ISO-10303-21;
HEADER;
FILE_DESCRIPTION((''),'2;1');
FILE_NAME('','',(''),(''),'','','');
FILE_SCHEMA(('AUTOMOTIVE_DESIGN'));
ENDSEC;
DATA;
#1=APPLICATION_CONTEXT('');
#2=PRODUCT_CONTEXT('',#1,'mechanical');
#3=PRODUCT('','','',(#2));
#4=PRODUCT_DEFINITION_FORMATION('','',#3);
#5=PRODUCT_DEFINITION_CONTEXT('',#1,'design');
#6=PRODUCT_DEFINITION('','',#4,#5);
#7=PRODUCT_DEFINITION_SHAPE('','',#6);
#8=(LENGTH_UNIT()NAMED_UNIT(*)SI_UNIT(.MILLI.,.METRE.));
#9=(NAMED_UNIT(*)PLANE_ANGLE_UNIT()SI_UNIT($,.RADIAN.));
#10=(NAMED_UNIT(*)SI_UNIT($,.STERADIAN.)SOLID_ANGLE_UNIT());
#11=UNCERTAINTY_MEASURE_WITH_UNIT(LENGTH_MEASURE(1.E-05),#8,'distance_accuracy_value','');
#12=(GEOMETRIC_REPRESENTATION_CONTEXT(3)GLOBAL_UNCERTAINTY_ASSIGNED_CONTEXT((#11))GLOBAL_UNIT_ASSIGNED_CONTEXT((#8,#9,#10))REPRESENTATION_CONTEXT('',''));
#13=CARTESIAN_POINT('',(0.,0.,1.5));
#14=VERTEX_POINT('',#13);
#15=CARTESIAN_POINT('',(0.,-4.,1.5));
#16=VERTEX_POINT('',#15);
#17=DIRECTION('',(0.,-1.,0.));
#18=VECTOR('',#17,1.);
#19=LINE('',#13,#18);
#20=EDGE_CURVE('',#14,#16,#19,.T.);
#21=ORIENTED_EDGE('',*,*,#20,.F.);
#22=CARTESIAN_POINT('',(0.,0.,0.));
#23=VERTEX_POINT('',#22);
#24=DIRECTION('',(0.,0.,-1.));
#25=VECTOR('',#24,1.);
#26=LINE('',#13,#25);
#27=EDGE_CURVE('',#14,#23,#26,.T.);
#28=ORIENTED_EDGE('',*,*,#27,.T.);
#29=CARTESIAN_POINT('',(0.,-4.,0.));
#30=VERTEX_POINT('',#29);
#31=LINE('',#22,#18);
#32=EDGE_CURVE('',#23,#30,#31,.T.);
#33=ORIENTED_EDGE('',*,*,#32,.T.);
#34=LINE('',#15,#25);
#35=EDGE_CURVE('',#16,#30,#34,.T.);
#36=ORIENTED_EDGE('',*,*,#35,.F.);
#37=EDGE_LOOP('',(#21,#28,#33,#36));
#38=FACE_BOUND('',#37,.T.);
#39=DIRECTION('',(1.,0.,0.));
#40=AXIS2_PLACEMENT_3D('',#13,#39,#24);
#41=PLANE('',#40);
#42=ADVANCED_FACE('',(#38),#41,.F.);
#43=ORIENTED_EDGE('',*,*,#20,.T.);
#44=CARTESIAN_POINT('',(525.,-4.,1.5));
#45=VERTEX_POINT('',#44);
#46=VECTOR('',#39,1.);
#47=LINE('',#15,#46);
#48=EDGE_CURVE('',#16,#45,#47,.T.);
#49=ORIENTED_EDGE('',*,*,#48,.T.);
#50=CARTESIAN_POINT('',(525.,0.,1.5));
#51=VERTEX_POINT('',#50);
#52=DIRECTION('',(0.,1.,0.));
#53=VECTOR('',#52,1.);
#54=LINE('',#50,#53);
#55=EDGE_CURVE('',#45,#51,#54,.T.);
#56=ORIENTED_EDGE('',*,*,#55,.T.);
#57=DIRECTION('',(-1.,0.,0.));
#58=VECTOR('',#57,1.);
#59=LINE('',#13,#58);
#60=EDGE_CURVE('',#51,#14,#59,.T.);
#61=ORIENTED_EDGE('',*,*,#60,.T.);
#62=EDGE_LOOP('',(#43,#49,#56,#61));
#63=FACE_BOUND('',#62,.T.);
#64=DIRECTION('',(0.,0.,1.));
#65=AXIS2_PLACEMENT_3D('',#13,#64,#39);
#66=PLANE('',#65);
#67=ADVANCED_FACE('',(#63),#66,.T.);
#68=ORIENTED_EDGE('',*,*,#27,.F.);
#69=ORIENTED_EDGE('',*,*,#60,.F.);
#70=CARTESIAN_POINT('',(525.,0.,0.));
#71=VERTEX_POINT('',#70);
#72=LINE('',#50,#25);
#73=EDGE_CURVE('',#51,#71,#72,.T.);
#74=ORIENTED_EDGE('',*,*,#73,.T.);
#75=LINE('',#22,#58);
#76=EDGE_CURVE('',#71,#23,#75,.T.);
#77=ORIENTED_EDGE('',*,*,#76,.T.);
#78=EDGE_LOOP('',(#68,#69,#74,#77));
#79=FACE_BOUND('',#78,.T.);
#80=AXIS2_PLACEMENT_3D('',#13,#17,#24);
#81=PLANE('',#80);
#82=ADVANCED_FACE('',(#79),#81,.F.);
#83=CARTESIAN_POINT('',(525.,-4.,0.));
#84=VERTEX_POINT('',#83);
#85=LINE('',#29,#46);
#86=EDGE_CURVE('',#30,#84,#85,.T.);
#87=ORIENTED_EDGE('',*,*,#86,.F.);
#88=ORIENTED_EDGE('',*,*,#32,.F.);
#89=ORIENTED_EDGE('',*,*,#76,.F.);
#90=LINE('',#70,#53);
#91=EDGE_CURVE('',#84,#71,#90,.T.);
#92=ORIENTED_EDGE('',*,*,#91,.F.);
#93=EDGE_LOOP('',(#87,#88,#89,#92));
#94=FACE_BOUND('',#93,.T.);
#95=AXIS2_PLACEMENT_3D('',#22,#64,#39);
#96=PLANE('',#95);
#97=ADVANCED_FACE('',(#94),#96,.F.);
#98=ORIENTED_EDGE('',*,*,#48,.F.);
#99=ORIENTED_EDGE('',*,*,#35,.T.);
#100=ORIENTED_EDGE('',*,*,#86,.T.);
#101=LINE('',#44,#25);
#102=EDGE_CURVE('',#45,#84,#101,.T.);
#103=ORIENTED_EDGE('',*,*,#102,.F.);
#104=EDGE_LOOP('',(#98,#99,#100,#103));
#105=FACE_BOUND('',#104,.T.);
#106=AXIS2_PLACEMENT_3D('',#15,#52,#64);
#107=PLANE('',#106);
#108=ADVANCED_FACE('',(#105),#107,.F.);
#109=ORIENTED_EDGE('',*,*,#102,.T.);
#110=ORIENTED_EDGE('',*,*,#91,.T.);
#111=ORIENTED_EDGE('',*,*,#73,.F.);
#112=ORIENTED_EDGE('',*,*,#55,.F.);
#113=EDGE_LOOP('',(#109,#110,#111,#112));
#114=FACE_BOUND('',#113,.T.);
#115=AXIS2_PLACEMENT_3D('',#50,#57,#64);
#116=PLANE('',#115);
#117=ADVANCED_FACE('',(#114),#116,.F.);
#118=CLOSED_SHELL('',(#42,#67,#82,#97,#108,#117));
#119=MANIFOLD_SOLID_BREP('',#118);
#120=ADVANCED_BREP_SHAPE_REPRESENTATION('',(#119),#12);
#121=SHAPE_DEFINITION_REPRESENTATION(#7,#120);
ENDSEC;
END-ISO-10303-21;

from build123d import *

# Parameters (mm, degrees)
SKETCH_1_W      = 525
SKETCH_1_H      = 4
EXTRUDE_1_DEPTH = 1.5


with BuildPart() as part:
    # 草图1 → 凸台-拉伸1 (new body)
    with BuildSketch(Plane.XY):
        with Locations((262.5, -2)):
            Rectangle(SKETCH_1_W, SKETCH_1_H)
    extrude(amount=EXTRUDE_1_DEPTH)


solid = part.part
